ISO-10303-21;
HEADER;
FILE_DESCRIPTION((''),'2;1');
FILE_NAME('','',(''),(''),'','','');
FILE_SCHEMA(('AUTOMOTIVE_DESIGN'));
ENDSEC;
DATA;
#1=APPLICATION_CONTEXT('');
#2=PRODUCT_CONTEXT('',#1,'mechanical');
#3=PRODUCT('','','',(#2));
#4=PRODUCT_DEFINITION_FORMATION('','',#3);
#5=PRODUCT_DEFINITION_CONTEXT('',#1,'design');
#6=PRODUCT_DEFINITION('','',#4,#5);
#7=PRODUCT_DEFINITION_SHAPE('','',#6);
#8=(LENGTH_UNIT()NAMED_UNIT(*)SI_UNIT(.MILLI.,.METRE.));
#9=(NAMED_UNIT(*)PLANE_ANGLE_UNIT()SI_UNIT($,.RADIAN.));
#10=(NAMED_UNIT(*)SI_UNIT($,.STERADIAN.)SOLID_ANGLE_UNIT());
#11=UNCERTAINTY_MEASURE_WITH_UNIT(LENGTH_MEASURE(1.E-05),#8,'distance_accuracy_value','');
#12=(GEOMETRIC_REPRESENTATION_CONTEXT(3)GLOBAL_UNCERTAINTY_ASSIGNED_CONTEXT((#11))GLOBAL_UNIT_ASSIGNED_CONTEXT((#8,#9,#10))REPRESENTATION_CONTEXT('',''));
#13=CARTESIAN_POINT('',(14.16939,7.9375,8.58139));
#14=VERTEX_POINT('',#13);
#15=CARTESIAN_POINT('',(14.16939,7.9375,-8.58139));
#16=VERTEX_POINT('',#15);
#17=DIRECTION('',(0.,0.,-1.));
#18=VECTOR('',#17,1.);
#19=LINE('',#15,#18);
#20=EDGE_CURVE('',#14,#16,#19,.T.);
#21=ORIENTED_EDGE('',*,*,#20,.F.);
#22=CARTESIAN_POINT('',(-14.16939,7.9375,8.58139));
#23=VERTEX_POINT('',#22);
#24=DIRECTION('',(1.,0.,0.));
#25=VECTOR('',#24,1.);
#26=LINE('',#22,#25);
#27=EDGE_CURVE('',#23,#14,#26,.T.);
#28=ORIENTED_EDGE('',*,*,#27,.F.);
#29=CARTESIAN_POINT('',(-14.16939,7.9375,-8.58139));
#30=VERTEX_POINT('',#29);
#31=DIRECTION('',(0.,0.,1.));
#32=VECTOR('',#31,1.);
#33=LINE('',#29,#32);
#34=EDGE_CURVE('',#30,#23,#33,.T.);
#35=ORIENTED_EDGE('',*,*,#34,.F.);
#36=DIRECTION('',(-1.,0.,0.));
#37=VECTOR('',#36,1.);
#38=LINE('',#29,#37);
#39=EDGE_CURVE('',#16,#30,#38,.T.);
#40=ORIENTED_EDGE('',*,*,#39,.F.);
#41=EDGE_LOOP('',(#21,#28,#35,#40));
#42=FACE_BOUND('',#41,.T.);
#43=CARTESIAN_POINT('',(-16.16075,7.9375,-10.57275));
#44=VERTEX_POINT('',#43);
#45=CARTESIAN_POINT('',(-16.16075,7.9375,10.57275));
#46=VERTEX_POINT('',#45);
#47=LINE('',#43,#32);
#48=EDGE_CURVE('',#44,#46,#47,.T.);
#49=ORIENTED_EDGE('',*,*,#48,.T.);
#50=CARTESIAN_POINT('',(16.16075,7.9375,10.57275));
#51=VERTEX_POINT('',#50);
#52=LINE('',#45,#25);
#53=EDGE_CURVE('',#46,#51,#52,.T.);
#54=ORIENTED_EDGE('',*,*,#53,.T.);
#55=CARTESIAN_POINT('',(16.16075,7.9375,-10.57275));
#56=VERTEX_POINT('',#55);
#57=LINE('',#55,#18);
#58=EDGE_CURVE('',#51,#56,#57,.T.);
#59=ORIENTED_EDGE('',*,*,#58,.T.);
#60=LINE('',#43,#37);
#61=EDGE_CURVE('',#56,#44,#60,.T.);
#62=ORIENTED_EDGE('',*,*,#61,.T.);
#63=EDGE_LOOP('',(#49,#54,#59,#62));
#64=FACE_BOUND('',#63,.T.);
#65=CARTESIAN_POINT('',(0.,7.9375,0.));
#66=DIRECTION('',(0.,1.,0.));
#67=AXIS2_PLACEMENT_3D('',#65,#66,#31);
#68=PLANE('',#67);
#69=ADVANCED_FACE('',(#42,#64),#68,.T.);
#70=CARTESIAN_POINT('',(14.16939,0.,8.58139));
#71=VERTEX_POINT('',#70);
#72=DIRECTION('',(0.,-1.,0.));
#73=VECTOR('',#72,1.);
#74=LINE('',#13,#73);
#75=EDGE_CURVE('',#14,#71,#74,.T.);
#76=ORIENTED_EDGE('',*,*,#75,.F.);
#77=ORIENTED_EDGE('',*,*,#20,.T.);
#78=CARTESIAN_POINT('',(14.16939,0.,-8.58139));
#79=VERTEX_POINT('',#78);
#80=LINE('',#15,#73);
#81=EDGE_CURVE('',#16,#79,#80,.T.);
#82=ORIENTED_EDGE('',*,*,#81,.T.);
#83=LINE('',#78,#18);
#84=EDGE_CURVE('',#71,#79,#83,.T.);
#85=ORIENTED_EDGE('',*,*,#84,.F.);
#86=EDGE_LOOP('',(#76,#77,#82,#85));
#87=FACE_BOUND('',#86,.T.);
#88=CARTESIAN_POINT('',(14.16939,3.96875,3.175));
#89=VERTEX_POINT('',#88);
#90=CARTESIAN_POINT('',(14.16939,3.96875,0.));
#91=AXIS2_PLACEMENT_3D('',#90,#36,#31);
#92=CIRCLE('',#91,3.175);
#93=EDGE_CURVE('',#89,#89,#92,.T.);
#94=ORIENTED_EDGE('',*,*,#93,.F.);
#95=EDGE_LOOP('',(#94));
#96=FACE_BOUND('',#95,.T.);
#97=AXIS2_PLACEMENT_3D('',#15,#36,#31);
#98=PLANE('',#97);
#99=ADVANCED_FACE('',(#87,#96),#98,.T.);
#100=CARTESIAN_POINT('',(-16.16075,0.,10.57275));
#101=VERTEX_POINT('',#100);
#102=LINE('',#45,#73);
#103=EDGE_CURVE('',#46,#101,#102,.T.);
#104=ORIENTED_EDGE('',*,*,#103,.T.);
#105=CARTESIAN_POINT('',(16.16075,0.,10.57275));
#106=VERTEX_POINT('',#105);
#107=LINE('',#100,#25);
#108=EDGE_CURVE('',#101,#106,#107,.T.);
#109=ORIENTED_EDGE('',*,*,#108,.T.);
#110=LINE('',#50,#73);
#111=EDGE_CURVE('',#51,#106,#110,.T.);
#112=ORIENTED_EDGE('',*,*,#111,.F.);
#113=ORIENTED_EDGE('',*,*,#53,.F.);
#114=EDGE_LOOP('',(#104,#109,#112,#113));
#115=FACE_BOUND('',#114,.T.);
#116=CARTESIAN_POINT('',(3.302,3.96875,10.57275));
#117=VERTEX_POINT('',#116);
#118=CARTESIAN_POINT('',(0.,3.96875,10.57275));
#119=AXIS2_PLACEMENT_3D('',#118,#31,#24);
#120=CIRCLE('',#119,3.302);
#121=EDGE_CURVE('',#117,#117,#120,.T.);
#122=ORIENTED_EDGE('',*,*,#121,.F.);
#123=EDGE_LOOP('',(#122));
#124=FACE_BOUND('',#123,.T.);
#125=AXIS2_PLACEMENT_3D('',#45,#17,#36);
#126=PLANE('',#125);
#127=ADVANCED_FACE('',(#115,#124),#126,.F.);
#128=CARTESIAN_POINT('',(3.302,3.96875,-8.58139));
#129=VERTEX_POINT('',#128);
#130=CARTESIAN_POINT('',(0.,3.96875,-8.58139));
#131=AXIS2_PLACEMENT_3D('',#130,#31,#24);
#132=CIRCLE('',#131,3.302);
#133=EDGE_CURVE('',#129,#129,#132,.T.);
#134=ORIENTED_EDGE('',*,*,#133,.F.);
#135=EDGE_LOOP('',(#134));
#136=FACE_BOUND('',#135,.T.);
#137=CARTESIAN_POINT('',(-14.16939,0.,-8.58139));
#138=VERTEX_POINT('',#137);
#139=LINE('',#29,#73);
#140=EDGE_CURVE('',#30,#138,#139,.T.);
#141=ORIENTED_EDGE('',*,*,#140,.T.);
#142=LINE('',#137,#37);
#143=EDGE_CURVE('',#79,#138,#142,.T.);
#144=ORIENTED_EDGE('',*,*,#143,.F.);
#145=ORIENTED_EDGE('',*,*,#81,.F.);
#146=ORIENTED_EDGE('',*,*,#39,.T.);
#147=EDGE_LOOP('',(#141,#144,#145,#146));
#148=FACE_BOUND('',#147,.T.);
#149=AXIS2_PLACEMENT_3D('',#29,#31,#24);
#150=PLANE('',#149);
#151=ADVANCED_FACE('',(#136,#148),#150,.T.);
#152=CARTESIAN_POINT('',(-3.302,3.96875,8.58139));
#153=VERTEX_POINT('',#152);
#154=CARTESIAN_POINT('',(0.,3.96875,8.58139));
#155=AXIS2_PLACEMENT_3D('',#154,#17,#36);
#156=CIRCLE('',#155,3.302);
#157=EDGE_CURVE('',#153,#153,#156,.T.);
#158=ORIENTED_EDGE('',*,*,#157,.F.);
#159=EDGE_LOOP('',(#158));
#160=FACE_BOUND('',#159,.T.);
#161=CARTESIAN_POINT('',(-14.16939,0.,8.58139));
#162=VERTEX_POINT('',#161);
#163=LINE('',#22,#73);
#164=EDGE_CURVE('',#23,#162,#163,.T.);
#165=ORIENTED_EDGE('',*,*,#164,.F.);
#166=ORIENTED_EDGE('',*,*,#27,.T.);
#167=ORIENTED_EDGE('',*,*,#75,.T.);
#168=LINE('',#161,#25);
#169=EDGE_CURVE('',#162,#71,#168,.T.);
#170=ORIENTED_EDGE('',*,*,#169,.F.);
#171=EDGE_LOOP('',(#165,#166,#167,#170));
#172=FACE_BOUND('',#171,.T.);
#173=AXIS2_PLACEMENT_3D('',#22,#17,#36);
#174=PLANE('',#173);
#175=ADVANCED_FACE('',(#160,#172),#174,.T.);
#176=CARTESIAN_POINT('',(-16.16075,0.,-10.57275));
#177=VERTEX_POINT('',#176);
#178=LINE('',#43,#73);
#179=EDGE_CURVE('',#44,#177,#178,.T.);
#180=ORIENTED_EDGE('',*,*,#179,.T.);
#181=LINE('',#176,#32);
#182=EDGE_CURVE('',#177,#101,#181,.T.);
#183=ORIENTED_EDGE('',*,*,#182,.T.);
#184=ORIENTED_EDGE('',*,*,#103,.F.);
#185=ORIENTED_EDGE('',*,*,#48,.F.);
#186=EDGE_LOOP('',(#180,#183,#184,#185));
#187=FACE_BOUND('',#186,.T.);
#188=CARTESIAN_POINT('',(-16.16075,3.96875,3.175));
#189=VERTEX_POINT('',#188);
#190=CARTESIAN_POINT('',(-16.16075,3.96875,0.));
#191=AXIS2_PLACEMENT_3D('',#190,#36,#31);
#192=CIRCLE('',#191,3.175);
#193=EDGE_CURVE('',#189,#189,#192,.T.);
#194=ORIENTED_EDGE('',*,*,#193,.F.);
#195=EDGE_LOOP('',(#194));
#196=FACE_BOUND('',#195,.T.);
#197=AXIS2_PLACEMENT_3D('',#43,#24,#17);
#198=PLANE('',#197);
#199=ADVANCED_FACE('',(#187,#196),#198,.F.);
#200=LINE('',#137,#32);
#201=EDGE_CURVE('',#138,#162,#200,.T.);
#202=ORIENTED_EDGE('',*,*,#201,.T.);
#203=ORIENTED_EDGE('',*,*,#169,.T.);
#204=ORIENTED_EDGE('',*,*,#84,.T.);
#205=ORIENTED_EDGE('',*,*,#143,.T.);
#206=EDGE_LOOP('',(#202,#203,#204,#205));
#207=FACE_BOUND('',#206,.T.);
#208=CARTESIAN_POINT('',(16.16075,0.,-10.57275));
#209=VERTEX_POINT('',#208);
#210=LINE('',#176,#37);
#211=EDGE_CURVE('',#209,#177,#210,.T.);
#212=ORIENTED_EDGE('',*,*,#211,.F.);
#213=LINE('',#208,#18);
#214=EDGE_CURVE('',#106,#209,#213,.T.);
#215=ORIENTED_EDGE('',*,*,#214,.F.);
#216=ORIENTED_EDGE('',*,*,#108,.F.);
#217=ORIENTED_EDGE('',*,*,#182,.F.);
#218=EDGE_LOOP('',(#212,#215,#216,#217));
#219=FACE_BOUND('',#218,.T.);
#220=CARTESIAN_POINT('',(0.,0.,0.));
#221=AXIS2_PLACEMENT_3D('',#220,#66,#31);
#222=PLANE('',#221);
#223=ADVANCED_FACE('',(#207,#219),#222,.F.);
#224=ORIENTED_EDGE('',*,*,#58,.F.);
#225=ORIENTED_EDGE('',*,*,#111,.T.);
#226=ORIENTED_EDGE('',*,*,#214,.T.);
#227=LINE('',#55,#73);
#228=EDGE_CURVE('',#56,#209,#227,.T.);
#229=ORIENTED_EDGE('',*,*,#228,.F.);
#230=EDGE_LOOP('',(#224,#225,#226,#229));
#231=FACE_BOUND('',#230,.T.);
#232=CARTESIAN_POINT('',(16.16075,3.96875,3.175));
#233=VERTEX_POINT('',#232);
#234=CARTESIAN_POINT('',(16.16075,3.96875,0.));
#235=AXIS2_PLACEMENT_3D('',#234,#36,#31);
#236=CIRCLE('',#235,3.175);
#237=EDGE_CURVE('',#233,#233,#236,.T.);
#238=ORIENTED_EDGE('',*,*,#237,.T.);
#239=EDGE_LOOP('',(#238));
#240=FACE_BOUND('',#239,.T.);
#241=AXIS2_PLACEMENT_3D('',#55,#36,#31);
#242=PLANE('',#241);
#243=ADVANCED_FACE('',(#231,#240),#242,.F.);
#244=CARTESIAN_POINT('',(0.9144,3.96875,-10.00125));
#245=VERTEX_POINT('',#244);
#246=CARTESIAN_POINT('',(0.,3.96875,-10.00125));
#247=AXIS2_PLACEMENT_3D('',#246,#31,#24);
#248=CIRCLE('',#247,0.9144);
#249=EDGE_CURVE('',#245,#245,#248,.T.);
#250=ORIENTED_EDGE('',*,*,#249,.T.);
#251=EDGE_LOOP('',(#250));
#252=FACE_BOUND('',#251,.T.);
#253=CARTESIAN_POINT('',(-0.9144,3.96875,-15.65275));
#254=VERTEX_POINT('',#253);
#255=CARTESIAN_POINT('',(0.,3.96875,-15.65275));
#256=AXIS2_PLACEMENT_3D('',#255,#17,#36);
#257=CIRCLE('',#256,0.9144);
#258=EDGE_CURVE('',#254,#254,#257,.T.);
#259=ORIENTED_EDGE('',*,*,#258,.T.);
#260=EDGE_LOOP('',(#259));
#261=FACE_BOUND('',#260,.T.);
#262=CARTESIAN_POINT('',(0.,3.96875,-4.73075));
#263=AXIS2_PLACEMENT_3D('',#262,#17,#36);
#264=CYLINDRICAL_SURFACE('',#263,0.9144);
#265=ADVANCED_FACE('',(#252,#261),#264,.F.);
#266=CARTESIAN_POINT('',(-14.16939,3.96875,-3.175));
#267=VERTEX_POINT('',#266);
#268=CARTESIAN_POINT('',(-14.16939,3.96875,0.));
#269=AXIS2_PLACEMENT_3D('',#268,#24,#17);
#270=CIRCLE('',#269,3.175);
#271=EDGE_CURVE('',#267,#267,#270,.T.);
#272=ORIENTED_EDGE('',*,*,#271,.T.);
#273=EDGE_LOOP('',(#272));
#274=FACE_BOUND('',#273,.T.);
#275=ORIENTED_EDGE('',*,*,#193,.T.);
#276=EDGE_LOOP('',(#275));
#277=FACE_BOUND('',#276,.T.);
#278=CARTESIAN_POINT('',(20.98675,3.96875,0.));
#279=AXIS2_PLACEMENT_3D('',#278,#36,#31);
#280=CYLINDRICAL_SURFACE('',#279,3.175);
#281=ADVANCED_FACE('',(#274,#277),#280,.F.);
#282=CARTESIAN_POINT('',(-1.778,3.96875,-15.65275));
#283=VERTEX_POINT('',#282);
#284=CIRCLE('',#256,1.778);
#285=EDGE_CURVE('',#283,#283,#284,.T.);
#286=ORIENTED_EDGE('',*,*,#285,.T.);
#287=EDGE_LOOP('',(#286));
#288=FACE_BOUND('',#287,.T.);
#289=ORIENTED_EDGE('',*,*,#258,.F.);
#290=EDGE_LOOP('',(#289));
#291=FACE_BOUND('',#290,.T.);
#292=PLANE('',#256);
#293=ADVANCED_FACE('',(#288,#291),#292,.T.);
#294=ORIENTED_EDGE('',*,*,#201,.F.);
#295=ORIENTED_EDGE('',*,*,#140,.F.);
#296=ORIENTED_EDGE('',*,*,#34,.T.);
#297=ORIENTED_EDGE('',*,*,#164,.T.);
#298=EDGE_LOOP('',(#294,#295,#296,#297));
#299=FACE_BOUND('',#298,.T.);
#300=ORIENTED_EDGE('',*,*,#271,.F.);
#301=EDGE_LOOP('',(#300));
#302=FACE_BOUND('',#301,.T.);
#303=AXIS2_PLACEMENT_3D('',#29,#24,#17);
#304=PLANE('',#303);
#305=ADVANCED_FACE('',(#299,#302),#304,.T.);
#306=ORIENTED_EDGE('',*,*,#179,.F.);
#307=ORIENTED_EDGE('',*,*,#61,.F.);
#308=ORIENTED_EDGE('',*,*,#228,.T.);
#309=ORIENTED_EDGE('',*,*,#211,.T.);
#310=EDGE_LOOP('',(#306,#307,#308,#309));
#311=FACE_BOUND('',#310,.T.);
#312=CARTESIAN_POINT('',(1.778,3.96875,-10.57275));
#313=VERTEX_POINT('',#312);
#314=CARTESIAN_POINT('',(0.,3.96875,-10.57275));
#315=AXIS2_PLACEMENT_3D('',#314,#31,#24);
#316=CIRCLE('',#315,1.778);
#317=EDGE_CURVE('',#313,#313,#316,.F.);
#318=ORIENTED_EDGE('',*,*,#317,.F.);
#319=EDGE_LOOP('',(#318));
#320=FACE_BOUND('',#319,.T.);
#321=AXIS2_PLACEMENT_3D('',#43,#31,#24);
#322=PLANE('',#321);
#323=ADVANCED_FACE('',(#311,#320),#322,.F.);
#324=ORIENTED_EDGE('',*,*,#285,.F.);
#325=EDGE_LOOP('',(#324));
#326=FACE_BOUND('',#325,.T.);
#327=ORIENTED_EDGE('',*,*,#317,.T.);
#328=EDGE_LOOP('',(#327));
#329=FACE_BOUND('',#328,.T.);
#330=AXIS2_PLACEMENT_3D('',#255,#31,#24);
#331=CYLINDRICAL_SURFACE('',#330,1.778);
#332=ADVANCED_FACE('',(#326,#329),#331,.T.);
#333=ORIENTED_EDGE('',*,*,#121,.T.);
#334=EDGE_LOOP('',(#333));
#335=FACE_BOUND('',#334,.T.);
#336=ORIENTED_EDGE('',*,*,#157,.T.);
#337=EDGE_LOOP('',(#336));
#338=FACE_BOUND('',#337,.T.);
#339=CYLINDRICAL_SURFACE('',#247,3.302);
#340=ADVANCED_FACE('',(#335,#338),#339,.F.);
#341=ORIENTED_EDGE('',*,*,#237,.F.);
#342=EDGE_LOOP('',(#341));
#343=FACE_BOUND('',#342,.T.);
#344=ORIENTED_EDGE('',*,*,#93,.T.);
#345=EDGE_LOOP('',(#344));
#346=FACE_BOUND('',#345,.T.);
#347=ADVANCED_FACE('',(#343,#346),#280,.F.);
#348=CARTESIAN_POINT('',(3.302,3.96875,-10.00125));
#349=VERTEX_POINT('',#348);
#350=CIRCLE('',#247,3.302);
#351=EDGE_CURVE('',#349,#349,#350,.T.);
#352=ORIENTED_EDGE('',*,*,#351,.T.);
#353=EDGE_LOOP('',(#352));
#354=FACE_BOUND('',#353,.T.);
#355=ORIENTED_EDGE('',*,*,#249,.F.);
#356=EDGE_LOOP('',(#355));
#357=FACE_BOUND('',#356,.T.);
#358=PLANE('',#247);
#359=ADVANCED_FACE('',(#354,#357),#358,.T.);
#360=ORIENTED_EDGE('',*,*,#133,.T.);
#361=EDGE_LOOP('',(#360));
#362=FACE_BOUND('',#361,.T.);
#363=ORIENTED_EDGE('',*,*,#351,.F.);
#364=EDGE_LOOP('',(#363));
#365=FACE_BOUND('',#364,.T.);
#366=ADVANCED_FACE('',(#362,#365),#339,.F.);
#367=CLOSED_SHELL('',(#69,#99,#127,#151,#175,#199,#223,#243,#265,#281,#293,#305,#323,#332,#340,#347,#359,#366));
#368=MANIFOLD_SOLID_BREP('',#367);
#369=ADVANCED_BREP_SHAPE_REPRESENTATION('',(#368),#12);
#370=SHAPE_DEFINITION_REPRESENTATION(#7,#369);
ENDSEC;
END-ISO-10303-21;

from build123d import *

# Parameters (mm, degrees)
SKETCH1_W           = 32.3215
SKETCH1_H           = 21.1455
SKETCH1_W_2         = 28.33878
SKETCH1_H_2         = 17.16278
BOSS_EXTRUDE1_DEPTH = 7.9375
SKETCH2_R           = 3.175
CUT_EXTRUDE1_DEPTH  = 37.1475
SKETCH3_R           = 3.302
CUT_EXTRUDE2_DEPTH  = 20.574
SKETCH4_R           = 1.778
BOSS_EXTRUDE3_DEPTH = 5.08
SKETCH6_R           = 0.9144
CUT_EXTRUDE3_DEPTH  = 10.922


with BuildPart() as part:
    # Sketch1 → Boss-Extrude1 (new body)
    with BuildSketch(Plane(origin=(0, 0, 0), x_dir=(1, 0, 0), z_dir=(0, 1, 0))):
        Rectangle(SKETCH1_W, SKETCH1_H)
        Rectangle(SKETCH1_W_2, SKETCH1_H_2, mode=Mode.SUBTRACT)
    extrude(amount=BOSS_EXTRUDE1_DEPTH)

    # Sketch2 → Cut-Extrude1 (cut)
    with BuildSketch(Plane.ZY.offset(16.16075)):
        with Locations((0, 3.96875)):
            Circle(SKETCH2_R)
    extrude(amount=-CUT_EXTRUDE1_DEPTH, mode=Mode.SUBTRACT)

    # Sketch3 → Cut-Extrude2 (cut)
    with BuildSketch(Plane.XY.offset(10.57275)):
        with Locations((0, 3.96875)):
            Circle(SKETCH3_R)
    extrude(amount=-CUT_EXTRUDE2_DEPTH, mode=Mode.SUBTRACT)

    # Sketch4 → Boss-Extrude3 (add)
    with BuildSketch(Plane(origin=(0, 0, -10.57275), x_dir=(-1, 0, 0), z_dir=(0, 0, -1))):
        with Locations(Location((0, 3.96875, 0), (0, 0, 180))):
            Circle(SKETCH4_R)
    extrude(amount=BOSS_EXTRUDE3_DEPTH)

    # Sketch6 → Cut-Extrude3 (cut)
    with BuildSketch(Plane(origin=(0, 0, -15.65275), x_dir=(-1, 0, 0), z_dir=(0, 0, -1))):
        with Locations((0, 3.96875)):
            Circle(SKETCH6_R)
    extrude(amount=-CUT_EXTRUDE3_DEPTH, mode=Mode.SUBTRACT)


solid = part.part
